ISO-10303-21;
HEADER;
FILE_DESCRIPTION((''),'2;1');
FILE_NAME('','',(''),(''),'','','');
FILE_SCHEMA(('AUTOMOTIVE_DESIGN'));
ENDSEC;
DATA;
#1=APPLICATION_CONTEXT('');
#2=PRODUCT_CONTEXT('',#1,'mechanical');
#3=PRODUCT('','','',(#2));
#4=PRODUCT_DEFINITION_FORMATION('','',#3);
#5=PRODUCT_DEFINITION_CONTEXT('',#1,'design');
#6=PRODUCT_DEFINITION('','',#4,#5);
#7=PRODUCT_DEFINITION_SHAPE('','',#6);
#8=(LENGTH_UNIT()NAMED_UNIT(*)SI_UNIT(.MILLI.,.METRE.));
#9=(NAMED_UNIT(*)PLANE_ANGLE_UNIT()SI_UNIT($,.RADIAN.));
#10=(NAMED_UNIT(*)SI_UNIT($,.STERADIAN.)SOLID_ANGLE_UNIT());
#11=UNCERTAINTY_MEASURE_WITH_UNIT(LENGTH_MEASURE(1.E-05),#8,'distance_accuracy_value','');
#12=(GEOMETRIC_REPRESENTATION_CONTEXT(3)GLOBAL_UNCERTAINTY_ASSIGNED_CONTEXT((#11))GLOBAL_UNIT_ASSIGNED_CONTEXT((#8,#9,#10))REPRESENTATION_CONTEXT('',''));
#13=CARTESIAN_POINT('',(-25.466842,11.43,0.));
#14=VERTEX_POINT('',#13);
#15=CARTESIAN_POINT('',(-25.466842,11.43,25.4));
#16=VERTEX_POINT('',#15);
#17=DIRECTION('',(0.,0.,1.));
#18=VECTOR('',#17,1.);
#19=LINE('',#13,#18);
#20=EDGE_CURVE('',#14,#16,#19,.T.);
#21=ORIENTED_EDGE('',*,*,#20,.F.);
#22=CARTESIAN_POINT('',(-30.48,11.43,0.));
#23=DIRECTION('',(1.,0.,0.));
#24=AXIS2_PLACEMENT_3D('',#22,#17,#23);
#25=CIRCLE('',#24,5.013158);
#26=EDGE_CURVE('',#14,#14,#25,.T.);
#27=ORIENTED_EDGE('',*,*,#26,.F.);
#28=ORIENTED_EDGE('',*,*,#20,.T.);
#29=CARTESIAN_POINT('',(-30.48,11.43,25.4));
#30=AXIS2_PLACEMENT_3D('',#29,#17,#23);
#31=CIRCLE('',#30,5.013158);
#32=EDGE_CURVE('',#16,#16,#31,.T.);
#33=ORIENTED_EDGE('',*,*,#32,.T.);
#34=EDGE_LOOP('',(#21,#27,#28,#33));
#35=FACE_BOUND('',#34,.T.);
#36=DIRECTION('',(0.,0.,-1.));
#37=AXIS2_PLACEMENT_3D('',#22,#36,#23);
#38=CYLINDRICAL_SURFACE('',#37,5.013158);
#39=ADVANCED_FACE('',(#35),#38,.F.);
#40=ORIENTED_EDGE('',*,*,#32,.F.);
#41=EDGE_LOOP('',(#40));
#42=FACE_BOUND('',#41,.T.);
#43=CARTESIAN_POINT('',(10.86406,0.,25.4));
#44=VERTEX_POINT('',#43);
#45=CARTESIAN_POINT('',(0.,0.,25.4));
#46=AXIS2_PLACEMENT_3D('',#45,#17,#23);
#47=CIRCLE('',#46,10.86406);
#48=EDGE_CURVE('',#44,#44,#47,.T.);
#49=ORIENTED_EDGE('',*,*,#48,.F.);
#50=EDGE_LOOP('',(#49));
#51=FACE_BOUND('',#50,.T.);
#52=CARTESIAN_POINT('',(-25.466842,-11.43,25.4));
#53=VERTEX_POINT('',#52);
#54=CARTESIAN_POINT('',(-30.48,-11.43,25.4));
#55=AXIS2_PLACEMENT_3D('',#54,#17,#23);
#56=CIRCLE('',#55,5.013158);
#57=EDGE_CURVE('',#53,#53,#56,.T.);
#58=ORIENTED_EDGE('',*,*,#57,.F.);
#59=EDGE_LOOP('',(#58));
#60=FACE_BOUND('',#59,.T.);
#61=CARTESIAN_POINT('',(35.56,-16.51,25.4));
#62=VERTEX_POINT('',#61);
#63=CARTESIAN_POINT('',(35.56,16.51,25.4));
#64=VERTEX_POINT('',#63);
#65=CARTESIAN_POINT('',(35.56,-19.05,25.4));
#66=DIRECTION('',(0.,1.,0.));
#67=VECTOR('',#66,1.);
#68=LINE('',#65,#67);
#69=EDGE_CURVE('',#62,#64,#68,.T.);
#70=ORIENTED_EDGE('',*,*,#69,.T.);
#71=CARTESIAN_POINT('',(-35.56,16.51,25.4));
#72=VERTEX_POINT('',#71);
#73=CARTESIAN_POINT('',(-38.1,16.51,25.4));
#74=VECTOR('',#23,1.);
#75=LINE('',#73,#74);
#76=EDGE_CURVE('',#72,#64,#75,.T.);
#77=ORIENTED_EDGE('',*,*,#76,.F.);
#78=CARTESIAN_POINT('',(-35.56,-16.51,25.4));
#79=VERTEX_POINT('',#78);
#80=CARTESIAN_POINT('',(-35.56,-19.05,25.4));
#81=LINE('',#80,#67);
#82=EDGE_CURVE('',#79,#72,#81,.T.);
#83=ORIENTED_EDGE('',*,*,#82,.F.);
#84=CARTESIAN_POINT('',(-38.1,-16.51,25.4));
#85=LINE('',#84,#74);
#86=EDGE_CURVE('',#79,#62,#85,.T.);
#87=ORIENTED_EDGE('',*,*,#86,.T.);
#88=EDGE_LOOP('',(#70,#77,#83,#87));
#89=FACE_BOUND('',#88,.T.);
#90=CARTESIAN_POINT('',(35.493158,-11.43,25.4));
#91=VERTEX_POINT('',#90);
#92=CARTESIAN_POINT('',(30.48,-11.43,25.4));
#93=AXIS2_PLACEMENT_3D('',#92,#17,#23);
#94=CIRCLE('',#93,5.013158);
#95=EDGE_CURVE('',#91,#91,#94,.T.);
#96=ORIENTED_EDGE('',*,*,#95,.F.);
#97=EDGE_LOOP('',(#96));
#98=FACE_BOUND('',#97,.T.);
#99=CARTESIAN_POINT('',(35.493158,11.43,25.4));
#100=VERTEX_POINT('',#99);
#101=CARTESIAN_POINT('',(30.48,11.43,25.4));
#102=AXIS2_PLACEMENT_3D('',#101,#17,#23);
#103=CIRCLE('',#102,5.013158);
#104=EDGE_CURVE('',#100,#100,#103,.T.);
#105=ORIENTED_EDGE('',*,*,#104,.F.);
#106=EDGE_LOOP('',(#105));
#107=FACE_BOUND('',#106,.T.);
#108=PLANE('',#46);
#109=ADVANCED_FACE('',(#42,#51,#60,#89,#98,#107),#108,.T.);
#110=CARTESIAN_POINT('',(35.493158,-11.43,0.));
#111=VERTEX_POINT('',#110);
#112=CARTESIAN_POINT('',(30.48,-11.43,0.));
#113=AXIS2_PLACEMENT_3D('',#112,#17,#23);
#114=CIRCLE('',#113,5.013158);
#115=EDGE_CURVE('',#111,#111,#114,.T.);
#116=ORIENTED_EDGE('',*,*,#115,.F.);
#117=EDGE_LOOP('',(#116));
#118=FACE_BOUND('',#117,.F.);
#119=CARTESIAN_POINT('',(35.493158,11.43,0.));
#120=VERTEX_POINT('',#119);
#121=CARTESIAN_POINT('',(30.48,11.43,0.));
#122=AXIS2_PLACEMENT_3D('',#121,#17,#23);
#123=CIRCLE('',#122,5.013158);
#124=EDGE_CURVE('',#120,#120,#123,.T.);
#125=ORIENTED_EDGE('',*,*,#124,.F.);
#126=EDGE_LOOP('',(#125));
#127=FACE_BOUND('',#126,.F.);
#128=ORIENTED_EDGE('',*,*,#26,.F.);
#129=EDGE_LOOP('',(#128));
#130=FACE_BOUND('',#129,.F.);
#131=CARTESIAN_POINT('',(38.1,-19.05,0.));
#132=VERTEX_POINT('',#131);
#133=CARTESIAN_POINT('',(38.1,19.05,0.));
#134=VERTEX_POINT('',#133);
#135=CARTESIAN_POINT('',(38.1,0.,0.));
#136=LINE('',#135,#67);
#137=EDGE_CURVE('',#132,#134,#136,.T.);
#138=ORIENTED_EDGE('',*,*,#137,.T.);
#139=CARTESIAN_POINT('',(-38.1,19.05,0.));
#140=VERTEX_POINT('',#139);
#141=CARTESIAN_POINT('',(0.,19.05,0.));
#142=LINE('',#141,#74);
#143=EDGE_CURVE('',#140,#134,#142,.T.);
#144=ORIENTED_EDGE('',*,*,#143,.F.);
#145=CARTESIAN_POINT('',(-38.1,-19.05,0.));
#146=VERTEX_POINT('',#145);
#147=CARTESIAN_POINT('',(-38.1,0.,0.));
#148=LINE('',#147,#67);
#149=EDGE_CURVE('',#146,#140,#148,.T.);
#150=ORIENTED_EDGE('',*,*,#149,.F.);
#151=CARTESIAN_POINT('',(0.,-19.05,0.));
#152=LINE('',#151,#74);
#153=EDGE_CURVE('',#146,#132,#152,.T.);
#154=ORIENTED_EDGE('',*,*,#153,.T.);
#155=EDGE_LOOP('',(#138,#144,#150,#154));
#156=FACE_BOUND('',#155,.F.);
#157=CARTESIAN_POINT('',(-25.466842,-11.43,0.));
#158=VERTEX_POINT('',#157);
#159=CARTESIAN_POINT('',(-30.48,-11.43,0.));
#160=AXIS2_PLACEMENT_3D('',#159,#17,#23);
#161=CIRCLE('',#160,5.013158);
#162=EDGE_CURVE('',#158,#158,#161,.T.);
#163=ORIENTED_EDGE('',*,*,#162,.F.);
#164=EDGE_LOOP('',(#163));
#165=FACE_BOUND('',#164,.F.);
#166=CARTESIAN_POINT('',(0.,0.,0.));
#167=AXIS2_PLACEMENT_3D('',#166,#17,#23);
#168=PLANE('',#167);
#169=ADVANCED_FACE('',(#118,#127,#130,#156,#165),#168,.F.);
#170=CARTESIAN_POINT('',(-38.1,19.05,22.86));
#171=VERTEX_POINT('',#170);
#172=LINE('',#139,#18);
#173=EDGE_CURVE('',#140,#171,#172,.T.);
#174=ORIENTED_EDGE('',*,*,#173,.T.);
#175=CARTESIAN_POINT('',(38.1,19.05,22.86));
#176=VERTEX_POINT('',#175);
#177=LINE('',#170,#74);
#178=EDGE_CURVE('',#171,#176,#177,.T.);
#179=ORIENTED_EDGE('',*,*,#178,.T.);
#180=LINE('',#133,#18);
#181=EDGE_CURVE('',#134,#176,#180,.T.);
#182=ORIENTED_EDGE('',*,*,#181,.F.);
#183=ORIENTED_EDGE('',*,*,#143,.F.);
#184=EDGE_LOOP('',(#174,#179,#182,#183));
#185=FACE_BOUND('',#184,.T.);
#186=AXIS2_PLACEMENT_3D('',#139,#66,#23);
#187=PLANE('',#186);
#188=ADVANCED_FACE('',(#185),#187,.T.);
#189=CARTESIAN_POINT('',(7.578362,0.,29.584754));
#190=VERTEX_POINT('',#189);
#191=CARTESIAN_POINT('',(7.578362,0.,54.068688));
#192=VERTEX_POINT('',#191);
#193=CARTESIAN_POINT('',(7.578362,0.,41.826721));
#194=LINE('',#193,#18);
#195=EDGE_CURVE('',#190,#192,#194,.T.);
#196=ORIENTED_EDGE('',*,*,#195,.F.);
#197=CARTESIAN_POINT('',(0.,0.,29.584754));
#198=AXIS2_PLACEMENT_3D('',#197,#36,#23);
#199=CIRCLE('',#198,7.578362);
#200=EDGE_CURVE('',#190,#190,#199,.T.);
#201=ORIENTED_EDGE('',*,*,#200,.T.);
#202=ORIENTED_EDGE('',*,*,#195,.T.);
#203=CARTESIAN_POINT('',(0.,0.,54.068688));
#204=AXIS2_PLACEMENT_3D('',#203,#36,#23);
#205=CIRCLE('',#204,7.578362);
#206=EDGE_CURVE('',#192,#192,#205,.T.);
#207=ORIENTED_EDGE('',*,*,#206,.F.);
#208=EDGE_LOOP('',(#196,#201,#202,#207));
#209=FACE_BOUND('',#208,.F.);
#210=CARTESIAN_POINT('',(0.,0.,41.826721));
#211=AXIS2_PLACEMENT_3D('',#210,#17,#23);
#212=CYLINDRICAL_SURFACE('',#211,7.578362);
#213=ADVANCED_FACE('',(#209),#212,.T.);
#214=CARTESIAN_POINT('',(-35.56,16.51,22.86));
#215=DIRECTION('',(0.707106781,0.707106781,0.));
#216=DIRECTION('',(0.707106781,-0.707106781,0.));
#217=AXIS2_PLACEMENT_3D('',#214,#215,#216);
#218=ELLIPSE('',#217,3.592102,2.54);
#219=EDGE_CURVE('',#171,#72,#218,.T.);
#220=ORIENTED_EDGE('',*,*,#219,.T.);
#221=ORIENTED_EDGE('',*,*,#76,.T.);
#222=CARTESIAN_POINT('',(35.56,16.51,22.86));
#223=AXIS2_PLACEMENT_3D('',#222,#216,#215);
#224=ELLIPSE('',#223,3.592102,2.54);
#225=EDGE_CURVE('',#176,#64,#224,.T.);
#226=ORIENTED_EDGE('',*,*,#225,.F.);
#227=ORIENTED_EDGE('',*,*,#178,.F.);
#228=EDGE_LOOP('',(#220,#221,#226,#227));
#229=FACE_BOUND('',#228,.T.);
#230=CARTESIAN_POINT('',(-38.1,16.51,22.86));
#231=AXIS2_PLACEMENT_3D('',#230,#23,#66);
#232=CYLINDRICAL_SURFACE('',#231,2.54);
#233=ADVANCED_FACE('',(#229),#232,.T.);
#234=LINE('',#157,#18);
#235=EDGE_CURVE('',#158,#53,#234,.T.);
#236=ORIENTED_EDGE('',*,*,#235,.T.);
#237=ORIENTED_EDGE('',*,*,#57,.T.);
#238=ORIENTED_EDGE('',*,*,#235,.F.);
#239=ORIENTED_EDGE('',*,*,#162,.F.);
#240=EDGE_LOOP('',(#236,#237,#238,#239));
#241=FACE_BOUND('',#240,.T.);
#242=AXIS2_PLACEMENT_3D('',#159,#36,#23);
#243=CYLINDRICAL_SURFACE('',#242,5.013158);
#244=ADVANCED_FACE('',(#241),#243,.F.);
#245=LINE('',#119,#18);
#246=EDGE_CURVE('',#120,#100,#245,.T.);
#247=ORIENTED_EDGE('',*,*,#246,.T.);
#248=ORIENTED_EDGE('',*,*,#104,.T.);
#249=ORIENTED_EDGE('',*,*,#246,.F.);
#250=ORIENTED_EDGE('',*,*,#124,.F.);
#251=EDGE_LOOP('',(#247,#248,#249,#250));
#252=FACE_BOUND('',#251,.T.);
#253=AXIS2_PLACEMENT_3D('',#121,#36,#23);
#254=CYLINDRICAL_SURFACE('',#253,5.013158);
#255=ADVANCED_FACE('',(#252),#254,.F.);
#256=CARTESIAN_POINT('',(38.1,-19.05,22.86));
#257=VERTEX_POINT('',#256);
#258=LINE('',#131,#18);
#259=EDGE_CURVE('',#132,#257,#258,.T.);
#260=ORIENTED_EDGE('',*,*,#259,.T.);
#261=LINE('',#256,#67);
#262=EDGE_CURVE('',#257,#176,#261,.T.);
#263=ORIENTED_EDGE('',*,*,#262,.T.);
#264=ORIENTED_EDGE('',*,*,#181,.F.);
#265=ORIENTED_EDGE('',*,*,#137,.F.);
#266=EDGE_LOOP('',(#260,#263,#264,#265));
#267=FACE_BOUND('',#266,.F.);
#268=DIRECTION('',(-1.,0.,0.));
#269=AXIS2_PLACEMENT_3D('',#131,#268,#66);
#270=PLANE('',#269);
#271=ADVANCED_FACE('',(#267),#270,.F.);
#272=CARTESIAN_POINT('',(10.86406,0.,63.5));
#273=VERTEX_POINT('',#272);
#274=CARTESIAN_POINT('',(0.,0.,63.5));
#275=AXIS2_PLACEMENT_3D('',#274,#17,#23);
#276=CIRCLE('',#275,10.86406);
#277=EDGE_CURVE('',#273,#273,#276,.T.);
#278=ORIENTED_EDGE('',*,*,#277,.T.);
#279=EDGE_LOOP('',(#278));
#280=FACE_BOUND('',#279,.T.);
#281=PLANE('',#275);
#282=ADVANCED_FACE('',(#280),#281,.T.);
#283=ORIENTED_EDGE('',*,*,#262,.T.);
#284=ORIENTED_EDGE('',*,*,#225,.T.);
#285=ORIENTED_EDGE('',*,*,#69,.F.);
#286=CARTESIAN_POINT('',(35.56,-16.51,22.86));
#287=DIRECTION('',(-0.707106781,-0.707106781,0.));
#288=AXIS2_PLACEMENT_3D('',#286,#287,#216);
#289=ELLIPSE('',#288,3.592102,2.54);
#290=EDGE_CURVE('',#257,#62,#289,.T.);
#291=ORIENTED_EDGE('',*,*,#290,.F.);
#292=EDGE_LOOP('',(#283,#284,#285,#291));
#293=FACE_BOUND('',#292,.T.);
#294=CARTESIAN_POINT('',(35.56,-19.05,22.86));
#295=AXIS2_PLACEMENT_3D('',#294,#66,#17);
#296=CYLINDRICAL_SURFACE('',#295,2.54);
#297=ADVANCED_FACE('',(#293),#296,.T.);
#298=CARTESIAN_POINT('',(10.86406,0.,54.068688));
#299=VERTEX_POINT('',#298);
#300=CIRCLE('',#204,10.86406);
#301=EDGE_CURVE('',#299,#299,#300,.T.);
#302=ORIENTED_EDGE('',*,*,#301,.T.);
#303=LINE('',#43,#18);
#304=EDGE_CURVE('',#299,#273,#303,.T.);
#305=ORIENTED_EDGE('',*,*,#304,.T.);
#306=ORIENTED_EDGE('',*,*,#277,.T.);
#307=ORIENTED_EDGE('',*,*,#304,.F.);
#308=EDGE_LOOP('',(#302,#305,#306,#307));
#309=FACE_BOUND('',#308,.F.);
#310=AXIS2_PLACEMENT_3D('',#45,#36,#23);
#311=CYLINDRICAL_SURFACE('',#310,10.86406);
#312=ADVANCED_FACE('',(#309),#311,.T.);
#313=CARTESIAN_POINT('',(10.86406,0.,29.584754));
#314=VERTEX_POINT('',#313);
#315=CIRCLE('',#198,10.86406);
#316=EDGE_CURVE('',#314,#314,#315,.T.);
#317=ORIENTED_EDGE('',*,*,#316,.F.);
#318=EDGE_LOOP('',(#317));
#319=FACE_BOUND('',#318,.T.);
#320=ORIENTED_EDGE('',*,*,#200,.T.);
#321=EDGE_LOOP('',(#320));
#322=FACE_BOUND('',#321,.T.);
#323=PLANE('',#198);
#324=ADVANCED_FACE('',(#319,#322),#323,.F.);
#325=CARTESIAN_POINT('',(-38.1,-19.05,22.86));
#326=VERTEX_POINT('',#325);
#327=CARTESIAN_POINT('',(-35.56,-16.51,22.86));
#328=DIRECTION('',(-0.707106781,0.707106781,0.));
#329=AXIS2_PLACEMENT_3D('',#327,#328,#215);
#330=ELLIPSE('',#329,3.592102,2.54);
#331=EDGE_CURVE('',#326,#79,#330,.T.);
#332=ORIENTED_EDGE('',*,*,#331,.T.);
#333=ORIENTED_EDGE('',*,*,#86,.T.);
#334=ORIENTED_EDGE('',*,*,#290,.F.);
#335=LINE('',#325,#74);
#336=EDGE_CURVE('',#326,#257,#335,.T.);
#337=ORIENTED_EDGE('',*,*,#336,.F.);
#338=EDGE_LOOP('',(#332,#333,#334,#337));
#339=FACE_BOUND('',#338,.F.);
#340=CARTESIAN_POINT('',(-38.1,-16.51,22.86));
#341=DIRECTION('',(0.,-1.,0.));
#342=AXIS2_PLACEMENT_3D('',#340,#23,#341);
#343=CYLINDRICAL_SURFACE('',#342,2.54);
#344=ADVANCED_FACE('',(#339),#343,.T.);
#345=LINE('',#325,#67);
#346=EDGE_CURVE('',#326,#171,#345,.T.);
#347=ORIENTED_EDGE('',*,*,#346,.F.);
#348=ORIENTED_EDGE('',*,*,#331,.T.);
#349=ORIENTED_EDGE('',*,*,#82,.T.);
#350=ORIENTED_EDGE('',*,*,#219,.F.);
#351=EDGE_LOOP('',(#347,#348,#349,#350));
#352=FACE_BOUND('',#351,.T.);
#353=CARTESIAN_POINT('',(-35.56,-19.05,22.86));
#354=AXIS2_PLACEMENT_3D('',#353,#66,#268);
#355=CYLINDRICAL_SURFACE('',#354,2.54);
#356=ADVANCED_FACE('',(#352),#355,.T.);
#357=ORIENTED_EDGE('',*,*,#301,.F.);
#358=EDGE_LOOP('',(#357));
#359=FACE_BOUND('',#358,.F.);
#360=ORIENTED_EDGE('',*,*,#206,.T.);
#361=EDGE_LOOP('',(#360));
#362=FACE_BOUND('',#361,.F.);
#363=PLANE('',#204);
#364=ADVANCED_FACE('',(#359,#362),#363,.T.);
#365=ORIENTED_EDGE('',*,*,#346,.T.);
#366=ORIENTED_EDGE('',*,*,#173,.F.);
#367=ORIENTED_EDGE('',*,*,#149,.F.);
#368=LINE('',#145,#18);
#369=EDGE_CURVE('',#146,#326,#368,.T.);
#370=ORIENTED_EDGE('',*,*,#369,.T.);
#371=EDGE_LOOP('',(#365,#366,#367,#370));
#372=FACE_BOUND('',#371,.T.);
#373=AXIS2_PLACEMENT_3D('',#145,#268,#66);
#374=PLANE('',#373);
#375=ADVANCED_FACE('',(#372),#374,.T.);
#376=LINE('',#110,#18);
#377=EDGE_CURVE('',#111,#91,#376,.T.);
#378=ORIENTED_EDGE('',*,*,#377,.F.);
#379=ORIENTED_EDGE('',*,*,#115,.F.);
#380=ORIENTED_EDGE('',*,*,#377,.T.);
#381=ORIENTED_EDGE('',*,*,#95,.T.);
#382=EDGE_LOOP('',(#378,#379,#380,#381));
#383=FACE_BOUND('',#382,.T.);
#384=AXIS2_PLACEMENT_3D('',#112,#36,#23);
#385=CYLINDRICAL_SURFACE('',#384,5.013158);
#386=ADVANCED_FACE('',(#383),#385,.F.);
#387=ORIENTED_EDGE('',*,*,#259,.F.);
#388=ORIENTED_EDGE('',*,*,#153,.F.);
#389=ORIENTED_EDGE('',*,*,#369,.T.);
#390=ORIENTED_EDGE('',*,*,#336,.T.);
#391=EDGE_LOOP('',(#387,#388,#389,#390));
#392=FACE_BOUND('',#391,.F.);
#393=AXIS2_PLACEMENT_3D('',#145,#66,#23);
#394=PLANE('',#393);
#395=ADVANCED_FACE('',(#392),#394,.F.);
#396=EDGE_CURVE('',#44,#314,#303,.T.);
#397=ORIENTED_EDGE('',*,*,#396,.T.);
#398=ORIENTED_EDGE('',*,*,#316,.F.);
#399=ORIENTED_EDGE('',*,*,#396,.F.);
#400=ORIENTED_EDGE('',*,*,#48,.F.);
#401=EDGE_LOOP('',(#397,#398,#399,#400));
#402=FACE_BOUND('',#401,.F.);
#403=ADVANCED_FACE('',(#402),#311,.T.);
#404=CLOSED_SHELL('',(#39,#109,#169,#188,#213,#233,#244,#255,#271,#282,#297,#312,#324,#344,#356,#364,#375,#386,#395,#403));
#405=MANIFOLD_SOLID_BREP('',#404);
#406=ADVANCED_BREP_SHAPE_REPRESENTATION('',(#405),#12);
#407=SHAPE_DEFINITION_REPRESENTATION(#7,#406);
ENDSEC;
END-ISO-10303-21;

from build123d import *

# Parameters (mm, degrees)
F0_W     = 76.2
F0_H     = 38.1
F1_DEPTH = 25.4
F2_R     = 5.013158
F3_DEPTH = 25.4
F4_R     = 10.86406
F5_DEPTH = 38.1
F6_R     = 2.54
F7_W     = 18.654424
F7_H     = 24.483934


with BuildPart() as f1:
    # F0 (on Top) → F1 (new body)
    with BuildSketch(Plane.XY):
        Rectangle(F0_W, F0_H)
    extrude(amount=F1_DEPTH)

    # F2 (on Top) → F3 (cut)
    with BuildSketch(Plane.XY):
        with Locations((-30.48, -11.43)):
            Circle(F2_R)
        with Locations((30.48, -11.43)):
            Circle(F2_R)
        with Locations((30.48, 11.43)):
            Circle(F2_R)
        with Locations((-30.48, 11.43)):
            Circle(F2_R)
    extrude(amount=F3_DEPTH, mode=Mode.SUBTRACT)

    # F4 (on face) → F5 (join)
    with BuildSketch(Plane.XY.offset(25.4)):
        Circle(F4_R)
    extrude(amount=F5_DEPTH)

    # F6
    f6_edges = [f1.edges().sort_by_distance(p)[0] for p in [
        (0, 19.05, 25.4),
        (-38.1, 0, 25.4),
        (0, -19.05, 25.4),
        (38.1, 0, 25.4),
    ]]
    fillet(f6_edges, radius=F6_R)

    # F7 (on Front) → F8 (revolve, cut)
    with BuildSketch(Plane.XZ):
        with Locations((16.905574, 41.826721)):
            Rectangle(F7_W, F7_H)
    revolve(axis=Axis((0, 0, 25.4), (0, 0, -1)), mode=Mode.SUBTRACT)


solid = f1.part
